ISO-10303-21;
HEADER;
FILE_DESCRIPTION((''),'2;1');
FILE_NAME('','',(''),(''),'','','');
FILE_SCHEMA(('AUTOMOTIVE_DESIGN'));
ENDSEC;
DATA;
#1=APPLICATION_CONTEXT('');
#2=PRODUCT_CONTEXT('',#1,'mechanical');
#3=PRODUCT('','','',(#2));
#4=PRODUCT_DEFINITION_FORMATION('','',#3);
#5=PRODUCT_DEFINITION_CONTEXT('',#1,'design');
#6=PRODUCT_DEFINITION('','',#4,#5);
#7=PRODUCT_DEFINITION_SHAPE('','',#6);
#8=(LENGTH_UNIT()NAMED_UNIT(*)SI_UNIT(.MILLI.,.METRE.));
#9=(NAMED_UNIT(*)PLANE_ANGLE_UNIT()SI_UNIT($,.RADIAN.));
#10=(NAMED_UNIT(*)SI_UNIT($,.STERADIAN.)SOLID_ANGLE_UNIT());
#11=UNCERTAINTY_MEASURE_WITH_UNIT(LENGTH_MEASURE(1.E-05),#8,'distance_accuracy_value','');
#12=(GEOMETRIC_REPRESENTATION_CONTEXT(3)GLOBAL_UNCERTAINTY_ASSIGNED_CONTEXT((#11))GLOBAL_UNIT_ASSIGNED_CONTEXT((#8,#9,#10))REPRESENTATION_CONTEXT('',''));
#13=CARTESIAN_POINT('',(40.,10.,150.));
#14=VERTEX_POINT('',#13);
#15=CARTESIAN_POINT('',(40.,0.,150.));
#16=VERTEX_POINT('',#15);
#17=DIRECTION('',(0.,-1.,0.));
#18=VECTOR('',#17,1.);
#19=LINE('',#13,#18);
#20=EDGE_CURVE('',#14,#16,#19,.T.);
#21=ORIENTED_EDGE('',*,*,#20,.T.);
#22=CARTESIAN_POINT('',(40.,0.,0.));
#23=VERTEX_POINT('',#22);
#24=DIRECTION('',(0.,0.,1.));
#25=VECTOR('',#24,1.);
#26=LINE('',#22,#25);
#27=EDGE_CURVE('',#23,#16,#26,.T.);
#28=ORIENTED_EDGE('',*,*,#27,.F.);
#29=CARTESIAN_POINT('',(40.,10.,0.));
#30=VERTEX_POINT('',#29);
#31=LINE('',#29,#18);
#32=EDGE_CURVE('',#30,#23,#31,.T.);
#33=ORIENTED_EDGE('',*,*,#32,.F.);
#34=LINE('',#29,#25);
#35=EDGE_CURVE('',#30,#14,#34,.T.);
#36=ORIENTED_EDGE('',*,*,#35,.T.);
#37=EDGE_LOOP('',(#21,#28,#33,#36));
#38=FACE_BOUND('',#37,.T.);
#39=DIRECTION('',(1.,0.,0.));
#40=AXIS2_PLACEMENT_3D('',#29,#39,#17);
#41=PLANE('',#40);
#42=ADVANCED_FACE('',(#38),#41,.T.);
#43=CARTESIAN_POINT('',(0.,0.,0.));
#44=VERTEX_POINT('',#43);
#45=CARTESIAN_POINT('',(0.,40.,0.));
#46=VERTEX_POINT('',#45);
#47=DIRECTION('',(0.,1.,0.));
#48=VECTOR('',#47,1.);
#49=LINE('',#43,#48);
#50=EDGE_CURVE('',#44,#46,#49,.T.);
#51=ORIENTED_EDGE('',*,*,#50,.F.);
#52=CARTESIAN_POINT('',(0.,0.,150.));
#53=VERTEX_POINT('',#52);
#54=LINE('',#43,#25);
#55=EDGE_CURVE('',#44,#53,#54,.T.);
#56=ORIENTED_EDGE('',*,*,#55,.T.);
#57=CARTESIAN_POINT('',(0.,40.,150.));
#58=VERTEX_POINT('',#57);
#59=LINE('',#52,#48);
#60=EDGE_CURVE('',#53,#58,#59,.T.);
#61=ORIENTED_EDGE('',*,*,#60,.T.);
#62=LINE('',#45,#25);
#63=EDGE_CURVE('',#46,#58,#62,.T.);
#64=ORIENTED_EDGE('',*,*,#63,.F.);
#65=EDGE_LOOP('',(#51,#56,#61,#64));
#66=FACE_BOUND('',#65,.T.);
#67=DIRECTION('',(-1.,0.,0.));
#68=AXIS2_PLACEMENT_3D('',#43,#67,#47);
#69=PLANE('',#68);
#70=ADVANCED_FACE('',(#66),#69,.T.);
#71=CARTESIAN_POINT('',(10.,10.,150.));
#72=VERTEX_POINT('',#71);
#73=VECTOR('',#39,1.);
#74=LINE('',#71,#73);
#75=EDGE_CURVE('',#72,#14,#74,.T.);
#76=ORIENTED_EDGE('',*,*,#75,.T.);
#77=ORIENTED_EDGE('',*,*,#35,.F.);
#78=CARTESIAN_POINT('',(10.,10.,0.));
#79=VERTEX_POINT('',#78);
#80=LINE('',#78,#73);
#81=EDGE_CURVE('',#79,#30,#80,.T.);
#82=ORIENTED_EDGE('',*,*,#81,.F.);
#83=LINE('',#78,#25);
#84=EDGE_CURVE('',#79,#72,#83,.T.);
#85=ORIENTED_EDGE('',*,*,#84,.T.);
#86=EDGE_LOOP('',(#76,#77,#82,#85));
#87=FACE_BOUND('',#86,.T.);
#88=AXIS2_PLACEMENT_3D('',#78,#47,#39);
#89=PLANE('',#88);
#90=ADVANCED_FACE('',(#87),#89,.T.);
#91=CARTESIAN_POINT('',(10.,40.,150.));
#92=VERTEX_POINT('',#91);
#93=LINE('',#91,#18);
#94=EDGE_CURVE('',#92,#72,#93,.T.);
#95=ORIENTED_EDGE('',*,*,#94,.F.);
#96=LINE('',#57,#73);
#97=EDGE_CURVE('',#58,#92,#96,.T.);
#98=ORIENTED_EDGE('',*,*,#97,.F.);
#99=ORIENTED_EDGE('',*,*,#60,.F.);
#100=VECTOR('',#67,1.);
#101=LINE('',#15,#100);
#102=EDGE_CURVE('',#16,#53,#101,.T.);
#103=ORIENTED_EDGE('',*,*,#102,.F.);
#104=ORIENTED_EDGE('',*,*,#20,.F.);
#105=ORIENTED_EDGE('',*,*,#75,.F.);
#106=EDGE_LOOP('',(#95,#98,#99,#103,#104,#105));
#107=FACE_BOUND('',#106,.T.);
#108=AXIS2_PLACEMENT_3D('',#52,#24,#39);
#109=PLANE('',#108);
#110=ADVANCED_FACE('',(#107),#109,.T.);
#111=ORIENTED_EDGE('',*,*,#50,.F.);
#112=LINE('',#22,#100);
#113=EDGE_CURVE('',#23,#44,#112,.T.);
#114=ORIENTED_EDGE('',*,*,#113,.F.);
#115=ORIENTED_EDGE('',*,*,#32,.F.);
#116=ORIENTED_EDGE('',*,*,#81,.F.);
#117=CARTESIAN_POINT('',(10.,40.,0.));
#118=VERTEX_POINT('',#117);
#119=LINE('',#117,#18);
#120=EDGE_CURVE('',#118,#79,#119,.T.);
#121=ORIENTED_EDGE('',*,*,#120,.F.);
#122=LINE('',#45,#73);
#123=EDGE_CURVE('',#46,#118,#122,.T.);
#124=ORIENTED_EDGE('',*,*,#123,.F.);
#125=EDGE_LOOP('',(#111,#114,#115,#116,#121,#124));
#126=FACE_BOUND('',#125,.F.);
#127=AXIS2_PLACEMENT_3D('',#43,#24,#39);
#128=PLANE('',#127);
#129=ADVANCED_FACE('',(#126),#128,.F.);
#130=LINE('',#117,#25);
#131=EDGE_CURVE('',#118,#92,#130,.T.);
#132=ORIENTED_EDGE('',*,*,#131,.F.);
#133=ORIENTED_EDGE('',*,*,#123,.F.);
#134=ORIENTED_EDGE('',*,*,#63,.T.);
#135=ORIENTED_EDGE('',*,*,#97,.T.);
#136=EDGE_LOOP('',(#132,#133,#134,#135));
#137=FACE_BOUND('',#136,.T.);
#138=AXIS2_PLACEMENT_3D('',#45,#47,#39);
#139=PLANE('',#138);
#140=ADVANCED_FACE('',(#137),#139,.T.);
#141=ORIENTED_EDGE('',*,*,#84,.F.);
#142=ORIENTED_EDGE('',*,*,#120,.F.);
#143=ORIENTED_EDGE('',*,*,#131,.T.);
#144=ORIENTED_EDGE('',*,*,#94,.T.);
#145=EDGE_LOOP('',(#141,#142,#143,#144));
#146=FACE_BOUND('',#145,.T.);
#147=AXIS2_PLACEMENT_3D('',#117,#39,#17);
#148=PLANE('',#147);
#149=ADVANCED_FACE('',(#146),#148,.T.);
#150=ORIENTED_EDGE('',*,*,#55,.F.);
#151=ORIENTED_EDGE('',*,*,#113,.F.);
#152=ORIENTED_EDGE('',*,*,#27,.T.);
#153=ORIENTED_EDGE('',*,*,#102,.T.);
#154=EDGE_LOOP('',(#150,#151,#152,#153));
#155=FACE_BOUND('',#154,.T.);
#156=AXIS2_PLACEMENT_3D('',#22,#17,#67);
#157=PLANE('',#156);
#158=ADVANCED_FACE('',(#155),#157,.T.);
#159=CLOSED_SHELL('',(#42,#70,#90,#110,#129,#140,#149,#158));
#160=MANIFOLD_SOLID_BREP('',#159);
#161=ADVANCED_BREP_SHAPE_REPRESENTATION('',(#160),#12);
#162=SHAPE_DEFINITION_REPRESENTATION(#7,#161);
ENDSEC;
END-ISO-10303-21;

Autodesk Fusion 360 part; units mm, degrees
sketch "Sketch1" plane through (0, 0, 0) normal (0, 0, 1) x (1, 0, 0)
  line L0 (0, 0) -> (0, 40)
  line L1 (0, 40) -> (10, 40)
  line L2 (10, 40) -> (10, 10)
  line L3 (10, 10) -> (40, 10)
  line L4 (40, 10) -> (40, 0)
  line L5 (40, 0) -> (0, 0)
  dimension "d1" = 10
  dimension "d2" = 10
  dimension "d3" = 30
  dimension "d4" = 30
extrude "Extrude1" add sketch "Sketch1" along normal blind 150
